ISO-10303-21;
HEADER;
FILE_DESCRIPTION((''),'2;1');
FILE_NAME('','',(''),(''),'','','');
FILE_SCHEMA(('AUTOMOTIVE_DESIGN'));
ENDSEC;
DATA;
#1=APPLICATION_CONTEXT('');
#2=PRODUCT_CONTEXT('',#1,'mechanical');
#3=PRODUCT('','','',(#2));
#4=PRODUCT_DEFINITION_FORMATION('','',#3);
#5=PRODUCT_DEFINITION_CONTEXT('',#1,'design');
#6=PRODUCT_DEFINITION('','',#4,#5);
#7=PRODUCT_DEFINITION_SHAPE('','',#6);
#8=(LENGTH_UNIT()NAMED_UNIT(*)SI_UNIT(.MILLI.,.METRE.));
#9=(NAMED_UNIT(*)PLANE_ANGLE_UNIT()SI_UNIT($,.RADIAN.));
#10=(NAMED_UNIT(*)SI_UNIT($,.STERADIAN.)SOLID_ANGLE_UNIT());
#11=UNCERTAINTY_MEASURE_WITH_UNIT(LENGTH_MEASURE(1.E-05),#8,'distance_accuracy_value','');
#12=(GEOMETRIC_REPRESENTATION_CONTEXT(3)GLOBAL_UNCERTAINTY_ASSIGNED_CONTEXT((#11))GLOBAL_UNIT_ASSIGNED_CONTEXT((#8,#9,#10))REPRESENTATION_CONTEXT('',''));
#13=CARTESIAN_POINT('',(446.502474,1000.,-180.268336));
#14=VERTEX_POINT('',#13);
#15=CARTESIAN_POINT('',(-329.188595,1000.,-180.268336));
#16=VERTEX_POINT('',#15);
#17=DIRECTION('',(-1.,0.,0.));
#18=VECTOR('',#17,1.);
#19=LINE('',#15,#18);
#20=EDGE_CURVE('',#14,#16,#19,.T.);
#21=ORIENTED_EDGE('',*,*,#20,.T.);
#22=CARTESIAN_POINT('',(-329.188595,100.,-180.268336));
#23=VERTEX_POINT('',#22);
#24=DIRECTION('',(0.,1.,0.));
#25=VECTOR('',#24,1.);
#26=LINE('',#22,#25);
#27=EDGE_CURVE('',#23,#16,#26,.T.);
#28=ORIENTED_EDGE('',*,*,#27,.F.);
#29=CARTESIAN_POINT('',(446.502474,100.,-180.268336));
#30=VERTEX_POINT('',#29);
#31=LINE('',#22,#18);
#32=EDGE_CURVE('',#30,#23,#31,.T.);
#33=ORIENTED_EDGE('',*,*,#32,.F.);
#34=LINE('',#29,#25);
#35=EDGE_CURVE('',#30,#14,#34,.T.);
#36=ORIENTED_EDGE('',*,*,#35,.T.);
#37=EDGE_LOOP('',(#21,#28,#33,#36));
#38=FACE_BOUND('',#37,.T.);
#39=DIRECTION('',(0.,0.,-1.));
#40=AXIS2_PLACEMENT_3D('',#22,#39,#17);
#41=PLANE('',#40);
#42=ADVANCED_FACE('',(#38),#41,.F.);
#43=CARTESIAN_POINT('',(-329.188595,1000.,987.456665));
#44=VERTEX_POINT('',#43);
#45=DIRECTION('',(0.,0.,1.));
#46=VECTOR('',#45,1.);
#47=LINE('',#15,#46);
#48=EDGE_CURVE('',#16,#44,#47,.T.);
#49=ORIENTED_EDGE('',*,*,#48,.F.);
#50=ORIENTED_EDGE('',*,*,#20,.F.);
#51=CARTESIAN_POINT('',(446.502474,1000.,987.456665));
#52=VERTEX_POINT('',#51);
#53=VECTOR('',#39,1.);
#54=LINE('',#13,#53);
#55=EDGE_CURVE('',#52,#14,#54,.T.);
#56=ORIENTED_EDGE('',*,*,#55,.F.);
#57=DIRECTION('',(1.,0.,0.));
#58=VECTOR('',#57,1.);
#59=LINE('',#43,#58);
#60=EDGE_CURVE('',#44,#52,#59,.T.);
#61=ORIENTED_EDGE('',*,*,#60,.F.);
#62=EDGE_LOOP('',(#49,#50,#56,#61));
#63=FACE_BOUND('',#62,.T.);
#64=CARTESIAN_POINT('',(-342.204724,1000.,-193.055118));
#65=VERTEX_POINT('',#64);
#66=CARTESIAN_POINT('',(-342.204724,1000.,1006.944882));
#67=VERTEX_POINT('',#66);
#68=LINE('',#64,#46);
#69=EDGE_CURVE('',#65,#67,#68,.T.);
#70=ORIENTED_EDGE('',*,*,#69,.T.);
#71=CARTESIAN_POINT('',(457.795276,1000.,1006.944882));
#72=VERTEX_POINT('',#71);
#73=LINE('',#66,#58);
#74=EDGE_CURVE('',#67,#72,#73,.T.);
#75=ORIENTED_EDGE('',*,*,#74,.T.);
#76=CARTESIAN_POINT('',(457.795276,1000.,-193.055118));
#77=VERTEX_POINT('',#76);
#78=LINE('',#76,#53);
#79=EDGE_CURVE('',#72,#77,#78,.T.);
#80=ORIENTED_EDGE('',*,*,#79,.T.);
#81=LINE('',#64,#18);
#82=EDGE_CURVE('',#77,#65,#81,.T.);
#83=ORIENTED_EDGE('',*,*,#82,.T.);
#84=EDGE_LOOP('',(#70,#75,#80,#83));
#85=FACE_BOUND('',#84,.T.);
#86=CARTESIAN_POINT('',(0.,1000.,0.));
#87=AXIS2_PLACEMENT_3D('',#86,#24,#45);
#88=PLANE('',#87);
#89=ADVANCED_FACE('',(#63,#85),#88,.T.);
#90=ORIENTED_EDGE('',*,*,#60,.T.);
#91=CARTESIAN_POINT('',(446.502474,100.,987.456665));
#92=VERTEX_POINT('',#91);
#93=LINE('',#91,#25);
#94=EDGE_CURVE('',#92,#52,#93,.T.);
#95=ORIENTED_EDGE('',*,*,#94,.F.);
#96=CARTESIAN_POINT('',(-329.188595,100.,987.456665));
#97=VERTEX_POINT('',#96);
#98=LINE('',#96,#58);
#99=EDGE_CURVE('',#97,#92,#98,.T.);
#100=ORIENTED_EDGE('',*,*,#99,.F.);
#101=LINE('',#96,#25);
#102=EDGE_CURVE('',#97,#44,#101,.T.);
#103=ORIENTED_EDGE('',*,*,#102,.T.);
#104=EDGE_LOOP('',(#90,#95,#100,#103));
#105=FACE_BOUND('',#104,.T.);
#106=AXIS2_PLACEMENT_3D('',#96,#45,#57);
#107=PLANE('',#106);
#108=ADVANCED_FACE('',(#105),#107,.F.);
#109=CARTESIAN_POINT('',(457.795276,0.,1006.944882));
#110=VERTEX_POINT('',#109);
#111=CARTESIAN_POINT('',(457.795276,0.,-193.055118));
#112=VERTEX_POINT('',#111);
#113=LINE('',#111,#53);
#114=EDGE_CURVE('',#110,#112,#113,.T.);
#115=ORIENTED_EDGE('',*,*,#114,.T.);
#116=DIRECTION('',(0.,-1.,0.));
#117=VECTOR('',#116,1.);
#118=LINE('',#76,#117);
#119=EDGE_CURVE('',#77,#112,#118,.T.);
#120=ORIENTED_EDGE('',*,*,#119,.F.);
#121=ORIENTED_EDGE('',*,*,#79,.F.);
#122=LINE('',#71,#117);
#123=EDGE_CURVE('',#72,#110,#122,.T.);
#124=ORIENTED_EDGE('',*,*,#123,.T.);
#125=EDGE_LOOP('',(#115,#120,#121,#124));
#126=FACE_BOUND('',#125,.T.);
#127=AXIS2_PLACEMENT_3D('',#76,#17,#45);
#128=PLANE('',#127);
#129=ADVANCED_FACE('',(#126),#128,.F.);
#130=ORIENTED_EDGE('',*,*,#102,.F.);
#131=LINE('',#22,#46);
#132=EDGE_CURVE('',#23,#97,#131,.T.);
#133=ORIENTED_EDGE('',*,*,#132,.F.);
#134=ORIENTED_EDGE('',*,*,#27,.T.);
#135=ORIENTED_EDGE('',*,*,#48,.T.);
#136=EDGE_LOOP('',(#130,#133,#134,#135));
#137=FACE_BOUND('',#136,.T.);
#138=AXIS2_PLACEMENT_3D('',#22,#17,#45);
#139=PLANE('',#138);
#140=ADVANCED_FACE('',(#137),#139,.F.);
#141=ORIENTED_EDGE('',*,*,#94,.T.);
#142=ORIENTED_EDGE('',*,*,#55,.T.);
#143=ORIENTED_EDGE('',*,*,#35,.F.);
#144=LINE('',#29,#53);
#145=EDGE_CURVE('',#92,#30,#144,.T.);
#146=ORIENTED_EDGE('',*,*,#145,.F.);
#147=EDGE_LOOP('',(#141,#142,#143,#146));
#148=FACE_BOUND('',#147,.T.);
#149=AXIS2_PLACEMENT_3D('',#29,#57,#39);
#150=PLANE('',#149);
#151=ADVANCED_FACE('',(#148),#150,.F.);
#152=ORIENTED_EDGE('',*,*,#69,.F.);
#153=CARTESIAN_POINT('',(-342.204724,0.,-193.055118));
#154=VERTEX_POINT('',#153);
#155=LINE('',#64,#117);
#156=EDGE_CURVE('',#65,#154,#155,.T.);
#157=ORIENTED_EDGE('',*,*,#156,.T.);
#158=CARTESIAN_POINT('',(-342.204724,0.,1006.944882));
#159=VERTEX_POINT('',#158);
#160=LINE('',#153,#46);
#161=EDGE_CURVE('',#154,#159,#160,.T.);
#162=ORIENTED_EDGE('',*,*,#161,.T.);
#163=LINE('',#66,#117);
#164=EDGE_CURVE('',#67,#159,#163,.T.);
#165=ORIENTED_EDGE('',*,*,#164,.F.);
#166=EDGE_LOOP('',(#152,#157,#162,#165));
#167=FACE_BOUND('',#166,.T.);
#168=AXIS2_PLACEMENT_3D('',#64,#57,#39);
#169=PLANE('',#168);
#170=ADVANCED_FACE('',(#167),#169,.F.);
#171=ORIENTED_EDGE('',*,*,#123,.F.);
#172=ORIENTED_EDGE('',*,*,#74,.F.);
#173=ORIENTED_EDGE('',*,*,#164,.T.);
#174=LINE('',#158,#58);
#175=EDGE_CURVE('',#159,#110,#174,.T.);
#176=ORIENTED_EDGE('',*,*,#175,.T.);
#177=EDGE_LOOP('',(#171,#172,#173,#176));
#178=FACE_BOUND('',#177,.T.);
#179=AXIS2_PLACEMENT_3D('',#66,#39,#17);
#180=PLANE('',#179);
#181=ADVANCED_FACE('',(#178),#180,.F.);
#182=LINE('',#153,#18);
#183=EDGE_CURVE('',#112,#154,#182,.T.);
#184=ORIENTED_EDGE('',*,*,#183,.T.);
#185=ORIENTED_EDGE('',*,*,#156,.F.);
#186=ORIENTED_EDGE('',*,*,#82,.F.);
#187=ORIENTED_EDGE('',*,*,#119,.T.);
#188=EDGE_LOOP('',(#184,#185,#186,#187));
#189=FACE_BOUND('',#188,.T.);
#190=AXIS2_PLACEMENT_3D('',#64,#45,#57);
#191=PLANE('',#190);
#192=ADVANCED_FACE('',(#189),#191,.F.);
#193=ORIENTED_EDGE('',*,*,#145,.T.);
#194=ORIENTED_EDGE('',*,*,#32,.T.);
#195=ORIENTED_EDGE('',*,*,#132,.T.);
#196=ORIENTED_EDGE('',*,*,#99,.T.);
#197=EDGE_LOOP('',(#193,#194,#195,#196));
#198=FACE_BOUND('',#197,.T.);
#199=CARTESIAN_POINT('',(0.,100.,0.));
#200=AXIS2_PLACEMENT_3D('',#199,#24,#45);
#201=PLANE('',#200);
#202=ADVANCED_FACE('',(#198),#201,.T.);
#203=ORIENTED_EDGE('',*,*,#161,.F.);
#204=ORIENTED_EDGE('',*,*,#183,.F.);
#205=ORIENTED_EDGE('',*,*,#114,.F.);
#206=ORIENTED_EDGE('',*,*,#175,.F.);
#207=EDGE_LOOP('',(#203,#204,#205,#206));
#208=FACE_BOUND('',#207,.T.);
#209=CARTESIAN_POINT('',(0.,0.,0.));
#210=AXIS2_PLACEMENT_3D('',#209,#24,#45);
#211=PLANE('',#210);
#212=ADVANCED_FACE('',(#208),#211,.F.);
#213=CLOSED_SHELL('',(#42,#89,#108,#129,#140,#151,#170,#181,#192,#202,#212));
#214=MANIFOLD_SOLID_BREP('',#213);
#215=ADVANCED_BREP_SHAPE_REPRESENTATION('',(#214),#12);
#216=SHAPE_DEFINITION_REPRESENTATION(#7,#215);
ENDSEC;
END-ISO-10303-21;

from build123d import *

# Parameters (mm, degrees)
SKETCH1_W           = 800
SKETCH1_H           = 1200
BOSS_EXTRUDE1_DEPTH = 1000
SKETCH2_W           = 775.691069095
SKETCH2_H           = 1167.725000343
CUT_EXTRUDE1_DEPTH  = 900


with BuildPart() as part:
    # Sketch1 → Boss-Extrude1 (new body)
    with BuildSketch(Plane(origin=(0, 0, 0), x_dir=(1, 0, 0), z_dir=(0, 1, 0))):
        with Locations((57.795275591, -406.94488189)):
            Rectangle(SKETCH1_W, SKETCH1_H)
    extrude(amount=BOSS_EXTRUDE1_DEPTH)

    # Sketch2 → Cut-Extrude1 (cut)
    with BuildSketch(Plane(origin=(0, 1000, 0), x_dir=(1, 0, 0), z_dir=(0, 1, 0))):
        with Locations((58.656939549, -403.594164529)):
            Rectangle(SKETCH2_W, SKETCH2_H)
    extrude(amount=-CUT_EXTRUDE1_DEPTH, mode=Mode.SUBTRACT)


solid = part.part
